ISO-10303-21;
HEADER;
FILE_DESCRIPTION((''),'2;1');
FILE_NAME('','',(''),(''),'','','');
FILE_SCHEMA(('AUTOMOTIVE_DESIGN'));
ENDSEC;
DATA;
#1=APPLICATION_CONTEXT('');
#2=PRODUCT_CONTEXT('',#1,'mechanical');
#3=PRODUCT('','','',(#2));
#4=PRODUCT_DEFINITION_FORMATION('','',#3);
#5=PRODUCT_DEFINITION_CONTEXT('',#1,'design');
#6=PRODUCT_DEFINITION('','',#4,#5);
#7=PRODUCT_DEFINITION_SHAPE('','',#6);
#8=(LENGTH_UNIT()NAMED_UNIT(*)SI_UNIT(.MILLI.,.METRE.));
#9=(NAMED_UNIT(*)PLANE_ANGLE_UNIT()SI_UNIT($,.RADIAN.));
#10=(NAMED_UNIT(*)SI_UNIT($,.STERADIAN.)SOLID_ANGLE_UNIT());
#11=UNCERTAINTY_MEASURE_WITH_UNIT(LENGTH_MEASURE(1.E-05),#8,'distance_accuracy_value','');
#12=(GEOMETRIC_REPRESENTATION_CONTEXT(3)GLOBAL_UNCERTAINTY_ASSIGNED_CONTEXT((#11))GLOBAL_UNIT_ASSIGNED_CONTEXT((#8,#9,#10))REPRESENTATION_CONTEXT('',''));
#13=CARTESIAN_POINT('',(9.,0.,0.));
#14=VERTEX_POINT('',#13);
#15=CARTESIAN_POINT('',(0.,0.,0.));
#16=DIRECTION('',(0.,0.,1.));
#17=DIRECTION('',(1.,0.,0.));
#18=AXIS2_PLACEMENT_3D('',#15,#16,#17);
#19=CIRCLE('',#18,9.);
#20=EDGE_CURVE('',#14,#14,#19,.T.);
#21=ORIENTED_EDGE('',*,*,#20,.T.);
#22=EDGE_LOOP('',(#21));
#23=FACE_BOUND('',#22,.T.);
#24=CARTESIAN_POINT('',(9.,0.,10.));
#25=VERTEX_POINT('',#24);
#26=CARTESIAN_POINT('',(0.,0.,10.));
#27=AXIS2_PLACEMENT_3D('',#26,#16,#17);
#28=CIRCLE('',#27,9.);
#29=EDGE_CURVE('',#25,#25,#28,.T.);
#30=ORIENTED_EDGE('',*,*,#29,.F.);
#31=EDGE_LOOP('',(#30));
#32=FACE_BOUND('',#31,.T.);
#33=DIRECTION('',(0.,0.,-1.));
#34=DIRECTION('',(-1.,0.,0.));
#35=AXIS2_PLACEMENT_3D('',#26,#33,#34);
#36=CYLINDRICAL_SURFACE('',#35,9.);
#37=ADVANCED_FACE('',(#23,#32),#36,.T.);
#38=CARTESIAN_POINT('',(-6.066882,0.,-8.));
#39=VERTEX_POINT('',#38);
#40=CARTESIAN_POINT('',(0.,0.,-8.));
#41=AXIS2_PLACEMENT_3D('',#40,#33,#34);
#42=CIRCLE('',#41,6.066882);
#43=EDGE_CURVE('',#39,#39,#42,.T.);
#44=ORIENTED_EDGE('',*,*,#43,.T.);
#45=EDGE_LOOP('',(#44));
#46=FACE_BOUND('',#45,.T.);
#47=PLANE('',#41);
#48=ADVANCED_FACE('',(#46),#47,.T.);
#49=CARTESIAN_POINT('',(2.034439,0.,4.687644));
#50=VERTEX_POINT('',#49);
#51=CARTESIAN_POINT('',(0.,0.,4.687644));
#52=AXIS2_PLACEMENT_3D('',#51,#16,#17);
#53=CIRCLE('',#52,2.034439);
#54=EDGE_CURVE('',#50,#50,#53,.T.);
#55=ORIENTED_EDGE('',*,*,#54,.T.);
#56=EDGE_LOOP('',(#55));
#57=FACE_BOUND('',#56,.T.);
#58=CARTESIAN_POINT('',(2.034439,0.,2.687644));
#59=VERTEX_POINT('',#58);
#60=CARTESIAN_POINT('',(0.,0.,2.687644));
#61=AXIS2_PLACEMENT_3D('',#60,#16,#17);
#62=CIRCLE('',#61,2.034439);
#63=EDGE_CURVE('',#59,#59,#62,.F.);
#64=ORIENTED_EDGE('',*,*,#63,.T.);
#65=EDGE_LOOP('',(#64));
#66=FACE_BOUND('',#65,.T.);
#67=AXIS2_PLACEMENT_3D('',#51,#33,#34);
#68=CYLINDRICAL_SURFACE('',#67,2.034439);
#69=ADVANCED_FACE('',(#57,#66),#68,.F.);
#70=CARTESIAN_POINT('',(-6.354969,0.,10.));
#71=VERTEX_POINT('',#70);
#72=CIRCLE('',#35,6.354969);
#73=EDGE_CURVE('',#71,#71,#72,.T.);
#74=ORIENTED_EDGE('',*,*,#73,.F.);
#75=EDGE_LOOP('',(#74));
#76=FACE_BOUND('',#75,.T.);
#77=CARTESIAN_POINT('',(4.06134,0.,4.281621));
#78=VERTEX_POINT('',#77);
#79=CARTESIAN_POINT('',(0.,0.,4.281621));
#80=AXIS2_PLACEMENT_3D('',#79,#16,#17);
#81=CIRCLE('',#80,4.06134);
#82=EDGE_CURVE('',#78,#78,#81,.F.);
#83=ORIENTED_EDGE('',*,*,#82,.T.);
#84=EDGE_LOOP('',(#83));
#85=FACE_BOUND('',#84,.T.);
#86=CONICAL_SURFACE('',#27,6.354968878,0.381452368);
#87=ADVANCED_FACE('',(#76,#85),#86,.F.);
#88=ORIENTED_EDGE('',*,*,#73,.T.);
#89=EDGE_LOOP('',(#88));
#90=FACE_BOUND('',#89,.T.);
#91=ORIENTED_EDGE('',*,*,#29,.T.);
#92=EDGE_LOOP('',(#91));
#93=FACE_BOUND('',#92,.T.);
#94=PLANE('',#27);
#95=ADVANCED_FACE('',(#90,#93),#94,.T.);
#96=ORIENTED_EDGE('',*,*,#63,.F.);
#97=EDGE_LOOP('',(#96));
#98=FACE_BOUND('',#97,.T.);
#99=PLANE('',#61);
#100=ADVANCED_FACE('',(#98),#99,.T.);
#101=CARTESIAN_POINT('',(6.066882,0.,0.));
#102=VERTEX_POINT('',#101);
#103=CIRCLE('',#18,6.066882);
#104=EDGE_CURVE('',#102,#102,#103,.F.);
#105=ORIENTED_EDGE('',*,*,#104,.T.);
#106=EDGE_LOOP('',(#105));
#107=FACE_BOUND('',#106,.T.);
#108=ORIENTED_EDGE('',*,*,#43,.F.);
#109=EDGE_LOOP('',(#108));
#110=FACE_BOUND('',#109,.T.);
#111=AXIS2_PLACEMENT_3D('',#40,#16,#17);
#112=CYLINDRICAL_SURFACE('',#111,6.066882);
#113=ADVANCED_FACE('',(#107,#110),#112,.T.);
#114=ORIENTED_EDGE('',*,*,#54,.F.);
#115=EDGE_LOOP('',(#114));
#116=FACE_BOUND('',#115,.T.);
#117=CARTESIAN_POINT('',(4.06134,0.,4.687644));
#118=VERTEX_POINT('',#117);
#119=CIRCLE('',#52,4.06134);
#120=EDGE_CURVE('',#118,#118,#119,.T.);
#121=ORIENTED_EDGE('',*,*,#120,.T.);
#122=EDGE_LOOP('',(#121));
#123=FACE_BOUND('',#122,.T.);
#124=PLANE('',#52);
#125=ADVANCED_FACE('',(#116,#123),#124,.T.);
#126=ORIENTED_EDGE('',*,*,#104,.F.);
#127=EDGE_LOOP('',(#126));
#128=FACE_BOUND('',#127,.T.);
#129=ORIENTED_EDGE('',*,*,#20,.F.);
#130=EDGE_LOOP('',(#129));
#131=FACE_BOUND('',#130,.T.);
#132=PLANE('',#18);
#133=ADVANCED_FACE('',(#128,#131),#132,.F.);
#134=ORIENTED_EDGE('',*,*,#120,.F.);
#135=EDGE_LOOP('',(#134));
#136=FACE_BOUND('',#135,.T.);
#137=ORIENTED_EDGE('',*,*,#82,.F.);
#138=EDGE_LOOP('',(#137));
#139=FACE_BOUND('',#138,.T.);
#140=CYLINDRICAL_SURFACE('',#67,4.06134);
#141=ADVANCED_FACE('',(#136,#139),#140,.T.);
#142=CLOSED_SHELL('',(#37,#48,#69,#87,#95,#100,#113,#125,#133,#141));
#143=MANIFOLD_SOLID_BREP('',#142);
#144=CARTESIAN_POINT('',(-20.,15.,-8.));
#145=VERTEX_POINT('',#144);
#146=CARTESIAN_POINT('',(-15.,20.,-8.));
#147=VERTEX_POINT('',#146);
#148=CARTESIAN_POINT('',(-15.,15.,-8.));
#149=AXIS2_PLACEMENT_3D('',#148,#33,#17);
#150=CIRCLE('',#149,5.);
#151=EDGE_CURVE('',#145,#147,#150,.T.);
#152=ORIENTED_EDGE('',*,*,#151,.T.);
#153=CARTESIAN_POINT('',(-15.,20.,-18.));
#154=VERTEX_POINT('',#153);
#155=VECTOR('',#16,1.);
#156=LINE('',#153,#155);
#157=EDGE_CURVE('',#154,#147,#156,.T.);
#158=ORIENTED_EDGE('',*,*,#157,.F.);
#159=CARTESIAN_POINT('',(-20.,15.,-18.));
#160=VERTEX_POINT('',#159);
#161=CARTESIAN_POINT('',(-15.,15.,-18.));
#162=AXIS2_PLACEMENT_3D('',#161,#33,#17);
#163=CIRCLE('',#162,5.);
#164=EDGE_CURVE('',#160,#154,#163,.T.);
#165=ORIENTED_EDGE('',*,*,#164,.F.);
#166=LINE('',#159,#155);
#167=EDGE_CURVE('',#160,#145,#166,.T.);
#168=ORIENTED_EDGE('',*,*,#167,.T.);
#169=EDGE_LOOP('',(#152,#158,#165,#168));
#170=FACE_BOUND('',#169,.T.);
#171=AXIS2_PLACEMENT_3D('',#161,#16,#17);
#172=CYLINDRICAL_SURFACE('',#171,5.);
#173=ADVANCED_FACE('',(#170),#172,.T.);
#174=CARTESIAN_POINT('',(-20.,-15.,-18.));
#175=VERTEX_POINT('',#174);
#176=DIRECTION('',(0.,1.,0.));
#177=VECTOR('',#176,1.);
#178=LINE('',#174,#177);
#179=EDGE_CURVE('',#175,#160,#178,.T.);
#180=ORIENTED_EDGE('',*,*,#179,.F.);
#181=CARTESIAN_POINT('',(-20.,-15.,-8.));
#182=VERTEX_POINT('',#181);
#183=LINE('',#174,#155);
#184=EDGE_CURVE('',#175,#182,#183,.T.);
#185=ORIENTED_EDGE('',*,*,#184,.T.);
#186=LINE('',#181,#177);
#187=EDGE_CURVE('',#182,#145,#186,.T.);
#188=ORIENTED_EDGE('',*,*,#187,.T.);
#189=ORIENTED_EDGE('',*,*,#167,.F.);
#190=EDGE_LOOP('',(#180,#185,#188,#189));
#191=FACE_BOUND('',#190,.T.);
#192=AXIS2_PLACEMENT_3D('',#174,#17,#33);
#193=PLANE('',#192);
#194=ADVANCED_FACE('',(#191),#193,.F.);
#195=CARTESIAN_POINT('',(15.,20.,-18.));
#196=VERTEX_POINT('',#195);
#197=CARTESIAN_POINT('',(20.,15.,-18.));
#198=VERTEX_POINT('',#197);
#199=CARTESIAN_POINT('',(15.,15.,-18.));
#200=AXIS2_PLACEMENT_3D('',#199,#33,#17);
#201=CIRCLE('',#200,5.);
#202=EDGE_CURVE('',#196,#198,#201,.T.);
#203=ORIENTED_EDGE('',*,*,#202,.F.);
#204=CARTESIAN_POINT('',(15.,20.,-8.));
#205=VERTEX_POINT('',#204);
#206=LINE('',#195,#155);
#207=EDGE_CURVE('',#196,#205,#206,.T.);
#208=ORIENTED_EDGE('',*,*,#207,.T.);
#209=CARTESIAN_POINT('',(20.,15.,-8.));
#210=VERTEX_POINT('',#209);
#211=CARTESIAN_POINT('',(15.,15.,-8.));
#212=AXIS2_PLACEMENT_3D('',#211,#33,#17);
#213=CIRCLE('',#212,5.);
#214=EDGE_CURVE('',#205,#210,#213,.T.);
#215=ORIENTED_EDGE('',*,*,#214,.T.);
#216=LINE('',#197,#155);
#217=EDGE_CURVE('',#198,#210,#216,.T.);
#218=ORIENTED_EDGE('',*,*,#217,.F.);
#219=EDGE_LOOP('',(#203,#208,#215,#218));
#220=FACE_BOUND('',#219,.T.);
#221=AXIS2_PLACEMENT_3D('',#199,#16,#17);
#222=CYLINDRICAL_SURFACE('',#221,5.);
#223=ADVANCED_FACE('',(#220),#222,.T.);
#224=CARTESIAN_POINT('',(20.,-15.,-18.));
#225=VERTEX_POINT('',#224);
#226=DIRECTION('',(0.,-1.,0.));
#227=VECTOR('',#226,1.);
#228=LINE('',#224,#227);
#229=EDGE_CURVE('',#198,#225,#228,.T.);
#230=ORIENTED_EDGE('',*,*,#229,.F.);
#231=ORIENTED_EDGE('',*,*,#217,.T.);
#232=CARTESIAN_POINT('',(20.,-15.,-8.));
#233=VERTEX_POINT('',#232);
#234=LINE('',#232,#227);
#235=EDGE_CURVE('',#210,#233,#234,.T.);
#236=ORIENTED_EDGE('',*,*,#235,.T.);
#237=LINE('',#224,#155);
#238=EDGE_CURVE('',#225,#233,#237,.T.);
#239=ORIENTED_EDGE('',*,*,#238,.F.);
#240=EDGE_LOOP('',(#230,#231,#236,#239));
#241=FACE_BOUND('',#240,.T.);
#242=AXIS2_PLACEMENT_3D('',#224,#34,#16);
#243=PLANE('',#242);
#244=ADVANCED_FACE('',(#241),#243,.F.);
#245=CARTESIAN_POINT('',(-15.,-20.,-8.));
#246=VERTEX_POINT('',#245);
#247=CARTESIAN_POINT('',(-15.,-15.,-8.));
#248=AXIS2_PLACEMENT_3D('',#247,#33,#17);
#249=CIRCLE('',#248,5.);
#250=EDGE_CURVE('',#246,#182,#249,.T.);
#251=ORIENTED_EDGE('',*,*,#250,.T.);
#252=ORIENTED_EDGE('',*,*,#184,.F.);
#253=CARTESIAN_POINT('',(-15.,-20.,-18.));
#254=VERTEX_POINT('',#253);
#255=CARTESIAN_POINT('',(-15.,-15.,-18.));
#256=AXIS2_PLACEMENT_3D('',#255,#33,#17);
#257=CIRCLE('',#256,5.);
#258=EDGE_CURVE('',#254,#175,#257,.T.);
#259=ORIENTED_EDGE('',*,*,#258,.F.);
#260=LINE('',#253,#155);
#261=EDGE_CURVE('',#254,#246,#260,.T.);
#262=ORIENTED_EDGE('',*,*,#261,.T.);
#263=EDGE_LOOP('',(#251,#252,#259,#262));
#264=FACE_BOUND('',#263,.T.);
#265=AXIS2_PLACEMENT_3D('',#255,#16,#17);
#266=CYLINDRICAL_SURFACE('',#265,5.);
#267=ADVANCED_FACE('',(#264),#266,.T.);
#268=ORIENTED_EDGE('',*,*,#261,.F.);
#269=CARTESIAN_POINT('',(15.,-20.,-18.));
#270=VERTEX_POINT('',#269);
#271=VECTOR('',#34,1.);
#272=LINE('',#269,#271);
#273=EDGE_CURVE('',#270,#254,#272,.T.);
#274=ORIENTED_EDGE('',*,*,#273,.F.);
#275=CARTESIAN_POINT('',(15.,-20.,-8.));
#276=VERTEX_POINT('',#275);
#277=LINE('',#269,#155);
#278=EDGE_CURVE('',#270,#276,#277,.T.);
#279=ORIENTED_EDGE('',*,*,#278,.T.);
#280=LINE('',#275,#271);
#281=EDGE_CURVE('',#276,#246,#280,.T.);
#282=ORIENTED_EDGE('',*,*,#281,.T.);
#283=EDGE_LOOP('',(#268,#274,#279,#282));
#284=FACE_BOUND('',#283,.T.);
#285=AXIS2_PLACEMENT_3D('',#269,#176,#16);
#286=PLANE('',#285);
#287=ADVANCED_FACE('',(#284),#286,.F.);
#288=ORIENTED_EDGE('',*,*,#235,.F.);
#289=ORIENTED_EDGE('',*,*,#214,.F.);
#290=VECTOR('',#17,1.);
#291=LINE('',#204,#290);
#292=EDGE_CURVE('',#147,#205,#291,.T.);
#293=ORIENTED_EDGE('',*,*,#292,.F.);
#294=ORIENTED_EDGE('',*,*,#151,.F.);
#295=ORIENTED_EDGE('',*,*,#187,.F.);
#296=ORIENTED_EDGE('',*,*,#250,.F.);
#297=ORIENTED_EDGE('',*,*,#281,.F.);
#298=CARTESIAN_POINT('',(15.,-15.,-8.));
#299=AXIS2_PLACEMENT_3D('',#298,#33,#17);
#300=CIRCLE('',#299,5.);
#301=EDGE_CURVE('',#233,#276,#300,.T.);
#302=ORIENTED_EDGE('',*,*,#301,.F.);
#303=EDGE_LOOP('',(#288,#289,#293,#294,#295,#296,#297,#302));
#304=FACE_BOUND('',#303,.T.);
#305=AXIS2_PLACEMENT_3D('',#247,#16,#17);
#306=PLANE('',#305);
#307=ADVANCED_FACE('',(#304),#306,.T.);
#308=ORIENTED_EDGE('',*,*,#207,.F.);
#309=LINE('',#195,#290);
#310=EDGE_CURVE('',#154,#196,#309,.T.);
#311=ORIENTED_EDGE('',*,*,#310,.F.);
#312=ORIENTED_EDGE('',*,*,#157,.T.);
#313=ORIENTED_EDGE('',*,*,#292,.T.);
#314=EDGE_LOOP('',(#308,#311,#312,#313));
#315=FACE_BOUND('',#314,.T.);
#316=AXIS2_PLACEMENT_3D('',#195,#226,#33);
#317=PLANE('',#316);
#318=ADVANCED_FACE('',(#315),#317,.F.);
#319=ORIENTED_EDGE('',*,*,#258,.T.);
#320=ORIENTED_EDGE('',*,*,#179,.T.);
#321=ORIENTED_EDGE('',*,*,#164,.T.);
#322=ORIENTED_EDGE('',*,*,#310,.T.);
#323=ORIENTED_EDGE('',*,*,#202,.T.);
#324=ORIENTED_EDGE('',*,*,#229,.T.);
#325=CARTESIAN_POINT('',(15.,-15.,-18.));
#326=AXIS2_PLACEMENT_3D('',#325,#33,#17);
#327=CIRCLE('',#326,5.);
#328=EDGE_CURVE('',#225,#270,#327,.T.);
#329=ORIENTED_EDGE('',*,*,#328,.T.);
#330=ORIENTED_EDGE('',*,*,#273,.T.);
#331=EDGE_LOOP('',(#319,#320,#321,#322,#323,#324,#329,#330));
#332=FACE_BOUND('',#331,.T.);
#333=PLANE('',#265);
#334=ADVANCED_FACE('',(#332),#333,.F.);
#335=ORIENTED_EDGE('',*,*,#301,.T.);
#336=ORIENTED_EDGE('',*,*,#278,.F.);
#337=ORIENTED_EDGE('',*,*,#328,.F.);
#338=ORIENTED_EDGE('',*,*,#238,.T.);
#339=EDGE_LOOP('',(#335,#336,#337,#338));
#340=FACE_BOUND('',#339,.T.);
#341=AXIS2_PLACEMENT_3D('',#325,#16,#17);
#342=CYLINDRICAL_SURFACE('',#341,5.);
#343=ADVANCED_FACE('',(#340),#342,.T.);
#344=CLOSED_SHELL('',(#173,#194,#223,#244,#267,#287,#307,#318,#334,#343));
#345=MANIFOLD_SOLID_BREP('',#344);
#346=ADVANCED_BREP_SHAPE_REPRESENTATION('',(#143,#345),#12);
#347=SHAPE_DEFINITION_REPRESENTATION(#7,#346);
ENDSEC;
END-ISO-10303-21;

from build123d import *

# Parameters (mm, degrees)
SKETCH_1_R      = 9
EXTRUDE_1_DEPTH = 10
SKETCH_3_R      = 4.061339688
SKETCH_3_R_2    = 2.034438867
EXTRUDE_2_DEPTH = 2
SKETCH_4_R      = 6.066882161
EXTRUDE_3_DEPTH = 8
EXTRUDE_4_DEPTH = 10


with BuildPart() as part:
    # Эскиз1 → Бобышка-Вытянуть1 (new body)
    with BuildSketch(Plane.XY):
        Circle(SKETCH_1_R)
    extrude(amount=EXTRUDE_1_DEPTH)

    # Эскиз2 → Вырез-Повернуть1 (revolve, cut)
    with BuildSketch(Plane(origin=(0, 0, 0), x_dir=(1, 0, 0), z_dir=(0, 1, 0)), mode=Mode.PRIVATE) as cut_revolve_1_sk:
        Polygon((0, -10), (6.354968878, -10), (3.421999094, -2.687643664), (0, -2.687643664), align=None)
    revolve(cut_revolve_1_sk.sketch.rotate(Axis((0, 0, 2.687643664), (0, 0, 1)), 180), axis=Axis((0, 0, 2.687643664), (0, 0, 1)), mode=Mode.SUBTRACT)

    # Эскиз3 → Бобышка-Вытянуть2 (add)
    with BuildSketch(Plane.XY.offset(2.687643664)):
        Circle(SKETCH_3_R)
        Circle(SKETCH_3_R_2, mode=Mode.SUBTRACT)
    extrude(amount=EXTRUDE_2_DEPTH)

    # Эскиз4 → Бобышка-Вытянуть3 (add)
    with BuildSketch(Plane(origin=(0, 0, 0), x_dir=(-1, 0, 0), z_dir=(0, 0, -1))):
        with Locations(Location((0, 0, 0), (0, 0, 180))):
            Circle(SKETCH_4_R)
    extrude(amount=EXTRUDE_3_DEPTH)


with BuildPart() as body_2:
    # Эскиз5 → Бобышка-Вытянуть4 (new body)
    with BuildSketch(Plane(origin=(0, 0, -8), x_dir=(-1, 0, 0), z_dir=(0, 0, -1))):
        with BuildLine():
            Line((-15, -20), (15, -20))
            ThreePointArc((15, -20), (18.535533906, -18.535533906), (20, -15))
            Line((20, -15), (20, 15))
            ThreePointArc((20, 15), (18.535533906, 18.535533906), (15, 20))
            Line((15, 20), (-15, 20))
            ThreePointArc((-15, 20), (-18.535533906, 18.535533906), (-20, 15))
            Line((-20, 15), (-20, -15))
            ThreePointArc((-20, -15), (-18.535533906, -18.535533906), (-15, -20))
        make_face()
    extrude(amount=EXTRUDE_4_DEPTH)


solid = Compound([part.part, body_2.part])
